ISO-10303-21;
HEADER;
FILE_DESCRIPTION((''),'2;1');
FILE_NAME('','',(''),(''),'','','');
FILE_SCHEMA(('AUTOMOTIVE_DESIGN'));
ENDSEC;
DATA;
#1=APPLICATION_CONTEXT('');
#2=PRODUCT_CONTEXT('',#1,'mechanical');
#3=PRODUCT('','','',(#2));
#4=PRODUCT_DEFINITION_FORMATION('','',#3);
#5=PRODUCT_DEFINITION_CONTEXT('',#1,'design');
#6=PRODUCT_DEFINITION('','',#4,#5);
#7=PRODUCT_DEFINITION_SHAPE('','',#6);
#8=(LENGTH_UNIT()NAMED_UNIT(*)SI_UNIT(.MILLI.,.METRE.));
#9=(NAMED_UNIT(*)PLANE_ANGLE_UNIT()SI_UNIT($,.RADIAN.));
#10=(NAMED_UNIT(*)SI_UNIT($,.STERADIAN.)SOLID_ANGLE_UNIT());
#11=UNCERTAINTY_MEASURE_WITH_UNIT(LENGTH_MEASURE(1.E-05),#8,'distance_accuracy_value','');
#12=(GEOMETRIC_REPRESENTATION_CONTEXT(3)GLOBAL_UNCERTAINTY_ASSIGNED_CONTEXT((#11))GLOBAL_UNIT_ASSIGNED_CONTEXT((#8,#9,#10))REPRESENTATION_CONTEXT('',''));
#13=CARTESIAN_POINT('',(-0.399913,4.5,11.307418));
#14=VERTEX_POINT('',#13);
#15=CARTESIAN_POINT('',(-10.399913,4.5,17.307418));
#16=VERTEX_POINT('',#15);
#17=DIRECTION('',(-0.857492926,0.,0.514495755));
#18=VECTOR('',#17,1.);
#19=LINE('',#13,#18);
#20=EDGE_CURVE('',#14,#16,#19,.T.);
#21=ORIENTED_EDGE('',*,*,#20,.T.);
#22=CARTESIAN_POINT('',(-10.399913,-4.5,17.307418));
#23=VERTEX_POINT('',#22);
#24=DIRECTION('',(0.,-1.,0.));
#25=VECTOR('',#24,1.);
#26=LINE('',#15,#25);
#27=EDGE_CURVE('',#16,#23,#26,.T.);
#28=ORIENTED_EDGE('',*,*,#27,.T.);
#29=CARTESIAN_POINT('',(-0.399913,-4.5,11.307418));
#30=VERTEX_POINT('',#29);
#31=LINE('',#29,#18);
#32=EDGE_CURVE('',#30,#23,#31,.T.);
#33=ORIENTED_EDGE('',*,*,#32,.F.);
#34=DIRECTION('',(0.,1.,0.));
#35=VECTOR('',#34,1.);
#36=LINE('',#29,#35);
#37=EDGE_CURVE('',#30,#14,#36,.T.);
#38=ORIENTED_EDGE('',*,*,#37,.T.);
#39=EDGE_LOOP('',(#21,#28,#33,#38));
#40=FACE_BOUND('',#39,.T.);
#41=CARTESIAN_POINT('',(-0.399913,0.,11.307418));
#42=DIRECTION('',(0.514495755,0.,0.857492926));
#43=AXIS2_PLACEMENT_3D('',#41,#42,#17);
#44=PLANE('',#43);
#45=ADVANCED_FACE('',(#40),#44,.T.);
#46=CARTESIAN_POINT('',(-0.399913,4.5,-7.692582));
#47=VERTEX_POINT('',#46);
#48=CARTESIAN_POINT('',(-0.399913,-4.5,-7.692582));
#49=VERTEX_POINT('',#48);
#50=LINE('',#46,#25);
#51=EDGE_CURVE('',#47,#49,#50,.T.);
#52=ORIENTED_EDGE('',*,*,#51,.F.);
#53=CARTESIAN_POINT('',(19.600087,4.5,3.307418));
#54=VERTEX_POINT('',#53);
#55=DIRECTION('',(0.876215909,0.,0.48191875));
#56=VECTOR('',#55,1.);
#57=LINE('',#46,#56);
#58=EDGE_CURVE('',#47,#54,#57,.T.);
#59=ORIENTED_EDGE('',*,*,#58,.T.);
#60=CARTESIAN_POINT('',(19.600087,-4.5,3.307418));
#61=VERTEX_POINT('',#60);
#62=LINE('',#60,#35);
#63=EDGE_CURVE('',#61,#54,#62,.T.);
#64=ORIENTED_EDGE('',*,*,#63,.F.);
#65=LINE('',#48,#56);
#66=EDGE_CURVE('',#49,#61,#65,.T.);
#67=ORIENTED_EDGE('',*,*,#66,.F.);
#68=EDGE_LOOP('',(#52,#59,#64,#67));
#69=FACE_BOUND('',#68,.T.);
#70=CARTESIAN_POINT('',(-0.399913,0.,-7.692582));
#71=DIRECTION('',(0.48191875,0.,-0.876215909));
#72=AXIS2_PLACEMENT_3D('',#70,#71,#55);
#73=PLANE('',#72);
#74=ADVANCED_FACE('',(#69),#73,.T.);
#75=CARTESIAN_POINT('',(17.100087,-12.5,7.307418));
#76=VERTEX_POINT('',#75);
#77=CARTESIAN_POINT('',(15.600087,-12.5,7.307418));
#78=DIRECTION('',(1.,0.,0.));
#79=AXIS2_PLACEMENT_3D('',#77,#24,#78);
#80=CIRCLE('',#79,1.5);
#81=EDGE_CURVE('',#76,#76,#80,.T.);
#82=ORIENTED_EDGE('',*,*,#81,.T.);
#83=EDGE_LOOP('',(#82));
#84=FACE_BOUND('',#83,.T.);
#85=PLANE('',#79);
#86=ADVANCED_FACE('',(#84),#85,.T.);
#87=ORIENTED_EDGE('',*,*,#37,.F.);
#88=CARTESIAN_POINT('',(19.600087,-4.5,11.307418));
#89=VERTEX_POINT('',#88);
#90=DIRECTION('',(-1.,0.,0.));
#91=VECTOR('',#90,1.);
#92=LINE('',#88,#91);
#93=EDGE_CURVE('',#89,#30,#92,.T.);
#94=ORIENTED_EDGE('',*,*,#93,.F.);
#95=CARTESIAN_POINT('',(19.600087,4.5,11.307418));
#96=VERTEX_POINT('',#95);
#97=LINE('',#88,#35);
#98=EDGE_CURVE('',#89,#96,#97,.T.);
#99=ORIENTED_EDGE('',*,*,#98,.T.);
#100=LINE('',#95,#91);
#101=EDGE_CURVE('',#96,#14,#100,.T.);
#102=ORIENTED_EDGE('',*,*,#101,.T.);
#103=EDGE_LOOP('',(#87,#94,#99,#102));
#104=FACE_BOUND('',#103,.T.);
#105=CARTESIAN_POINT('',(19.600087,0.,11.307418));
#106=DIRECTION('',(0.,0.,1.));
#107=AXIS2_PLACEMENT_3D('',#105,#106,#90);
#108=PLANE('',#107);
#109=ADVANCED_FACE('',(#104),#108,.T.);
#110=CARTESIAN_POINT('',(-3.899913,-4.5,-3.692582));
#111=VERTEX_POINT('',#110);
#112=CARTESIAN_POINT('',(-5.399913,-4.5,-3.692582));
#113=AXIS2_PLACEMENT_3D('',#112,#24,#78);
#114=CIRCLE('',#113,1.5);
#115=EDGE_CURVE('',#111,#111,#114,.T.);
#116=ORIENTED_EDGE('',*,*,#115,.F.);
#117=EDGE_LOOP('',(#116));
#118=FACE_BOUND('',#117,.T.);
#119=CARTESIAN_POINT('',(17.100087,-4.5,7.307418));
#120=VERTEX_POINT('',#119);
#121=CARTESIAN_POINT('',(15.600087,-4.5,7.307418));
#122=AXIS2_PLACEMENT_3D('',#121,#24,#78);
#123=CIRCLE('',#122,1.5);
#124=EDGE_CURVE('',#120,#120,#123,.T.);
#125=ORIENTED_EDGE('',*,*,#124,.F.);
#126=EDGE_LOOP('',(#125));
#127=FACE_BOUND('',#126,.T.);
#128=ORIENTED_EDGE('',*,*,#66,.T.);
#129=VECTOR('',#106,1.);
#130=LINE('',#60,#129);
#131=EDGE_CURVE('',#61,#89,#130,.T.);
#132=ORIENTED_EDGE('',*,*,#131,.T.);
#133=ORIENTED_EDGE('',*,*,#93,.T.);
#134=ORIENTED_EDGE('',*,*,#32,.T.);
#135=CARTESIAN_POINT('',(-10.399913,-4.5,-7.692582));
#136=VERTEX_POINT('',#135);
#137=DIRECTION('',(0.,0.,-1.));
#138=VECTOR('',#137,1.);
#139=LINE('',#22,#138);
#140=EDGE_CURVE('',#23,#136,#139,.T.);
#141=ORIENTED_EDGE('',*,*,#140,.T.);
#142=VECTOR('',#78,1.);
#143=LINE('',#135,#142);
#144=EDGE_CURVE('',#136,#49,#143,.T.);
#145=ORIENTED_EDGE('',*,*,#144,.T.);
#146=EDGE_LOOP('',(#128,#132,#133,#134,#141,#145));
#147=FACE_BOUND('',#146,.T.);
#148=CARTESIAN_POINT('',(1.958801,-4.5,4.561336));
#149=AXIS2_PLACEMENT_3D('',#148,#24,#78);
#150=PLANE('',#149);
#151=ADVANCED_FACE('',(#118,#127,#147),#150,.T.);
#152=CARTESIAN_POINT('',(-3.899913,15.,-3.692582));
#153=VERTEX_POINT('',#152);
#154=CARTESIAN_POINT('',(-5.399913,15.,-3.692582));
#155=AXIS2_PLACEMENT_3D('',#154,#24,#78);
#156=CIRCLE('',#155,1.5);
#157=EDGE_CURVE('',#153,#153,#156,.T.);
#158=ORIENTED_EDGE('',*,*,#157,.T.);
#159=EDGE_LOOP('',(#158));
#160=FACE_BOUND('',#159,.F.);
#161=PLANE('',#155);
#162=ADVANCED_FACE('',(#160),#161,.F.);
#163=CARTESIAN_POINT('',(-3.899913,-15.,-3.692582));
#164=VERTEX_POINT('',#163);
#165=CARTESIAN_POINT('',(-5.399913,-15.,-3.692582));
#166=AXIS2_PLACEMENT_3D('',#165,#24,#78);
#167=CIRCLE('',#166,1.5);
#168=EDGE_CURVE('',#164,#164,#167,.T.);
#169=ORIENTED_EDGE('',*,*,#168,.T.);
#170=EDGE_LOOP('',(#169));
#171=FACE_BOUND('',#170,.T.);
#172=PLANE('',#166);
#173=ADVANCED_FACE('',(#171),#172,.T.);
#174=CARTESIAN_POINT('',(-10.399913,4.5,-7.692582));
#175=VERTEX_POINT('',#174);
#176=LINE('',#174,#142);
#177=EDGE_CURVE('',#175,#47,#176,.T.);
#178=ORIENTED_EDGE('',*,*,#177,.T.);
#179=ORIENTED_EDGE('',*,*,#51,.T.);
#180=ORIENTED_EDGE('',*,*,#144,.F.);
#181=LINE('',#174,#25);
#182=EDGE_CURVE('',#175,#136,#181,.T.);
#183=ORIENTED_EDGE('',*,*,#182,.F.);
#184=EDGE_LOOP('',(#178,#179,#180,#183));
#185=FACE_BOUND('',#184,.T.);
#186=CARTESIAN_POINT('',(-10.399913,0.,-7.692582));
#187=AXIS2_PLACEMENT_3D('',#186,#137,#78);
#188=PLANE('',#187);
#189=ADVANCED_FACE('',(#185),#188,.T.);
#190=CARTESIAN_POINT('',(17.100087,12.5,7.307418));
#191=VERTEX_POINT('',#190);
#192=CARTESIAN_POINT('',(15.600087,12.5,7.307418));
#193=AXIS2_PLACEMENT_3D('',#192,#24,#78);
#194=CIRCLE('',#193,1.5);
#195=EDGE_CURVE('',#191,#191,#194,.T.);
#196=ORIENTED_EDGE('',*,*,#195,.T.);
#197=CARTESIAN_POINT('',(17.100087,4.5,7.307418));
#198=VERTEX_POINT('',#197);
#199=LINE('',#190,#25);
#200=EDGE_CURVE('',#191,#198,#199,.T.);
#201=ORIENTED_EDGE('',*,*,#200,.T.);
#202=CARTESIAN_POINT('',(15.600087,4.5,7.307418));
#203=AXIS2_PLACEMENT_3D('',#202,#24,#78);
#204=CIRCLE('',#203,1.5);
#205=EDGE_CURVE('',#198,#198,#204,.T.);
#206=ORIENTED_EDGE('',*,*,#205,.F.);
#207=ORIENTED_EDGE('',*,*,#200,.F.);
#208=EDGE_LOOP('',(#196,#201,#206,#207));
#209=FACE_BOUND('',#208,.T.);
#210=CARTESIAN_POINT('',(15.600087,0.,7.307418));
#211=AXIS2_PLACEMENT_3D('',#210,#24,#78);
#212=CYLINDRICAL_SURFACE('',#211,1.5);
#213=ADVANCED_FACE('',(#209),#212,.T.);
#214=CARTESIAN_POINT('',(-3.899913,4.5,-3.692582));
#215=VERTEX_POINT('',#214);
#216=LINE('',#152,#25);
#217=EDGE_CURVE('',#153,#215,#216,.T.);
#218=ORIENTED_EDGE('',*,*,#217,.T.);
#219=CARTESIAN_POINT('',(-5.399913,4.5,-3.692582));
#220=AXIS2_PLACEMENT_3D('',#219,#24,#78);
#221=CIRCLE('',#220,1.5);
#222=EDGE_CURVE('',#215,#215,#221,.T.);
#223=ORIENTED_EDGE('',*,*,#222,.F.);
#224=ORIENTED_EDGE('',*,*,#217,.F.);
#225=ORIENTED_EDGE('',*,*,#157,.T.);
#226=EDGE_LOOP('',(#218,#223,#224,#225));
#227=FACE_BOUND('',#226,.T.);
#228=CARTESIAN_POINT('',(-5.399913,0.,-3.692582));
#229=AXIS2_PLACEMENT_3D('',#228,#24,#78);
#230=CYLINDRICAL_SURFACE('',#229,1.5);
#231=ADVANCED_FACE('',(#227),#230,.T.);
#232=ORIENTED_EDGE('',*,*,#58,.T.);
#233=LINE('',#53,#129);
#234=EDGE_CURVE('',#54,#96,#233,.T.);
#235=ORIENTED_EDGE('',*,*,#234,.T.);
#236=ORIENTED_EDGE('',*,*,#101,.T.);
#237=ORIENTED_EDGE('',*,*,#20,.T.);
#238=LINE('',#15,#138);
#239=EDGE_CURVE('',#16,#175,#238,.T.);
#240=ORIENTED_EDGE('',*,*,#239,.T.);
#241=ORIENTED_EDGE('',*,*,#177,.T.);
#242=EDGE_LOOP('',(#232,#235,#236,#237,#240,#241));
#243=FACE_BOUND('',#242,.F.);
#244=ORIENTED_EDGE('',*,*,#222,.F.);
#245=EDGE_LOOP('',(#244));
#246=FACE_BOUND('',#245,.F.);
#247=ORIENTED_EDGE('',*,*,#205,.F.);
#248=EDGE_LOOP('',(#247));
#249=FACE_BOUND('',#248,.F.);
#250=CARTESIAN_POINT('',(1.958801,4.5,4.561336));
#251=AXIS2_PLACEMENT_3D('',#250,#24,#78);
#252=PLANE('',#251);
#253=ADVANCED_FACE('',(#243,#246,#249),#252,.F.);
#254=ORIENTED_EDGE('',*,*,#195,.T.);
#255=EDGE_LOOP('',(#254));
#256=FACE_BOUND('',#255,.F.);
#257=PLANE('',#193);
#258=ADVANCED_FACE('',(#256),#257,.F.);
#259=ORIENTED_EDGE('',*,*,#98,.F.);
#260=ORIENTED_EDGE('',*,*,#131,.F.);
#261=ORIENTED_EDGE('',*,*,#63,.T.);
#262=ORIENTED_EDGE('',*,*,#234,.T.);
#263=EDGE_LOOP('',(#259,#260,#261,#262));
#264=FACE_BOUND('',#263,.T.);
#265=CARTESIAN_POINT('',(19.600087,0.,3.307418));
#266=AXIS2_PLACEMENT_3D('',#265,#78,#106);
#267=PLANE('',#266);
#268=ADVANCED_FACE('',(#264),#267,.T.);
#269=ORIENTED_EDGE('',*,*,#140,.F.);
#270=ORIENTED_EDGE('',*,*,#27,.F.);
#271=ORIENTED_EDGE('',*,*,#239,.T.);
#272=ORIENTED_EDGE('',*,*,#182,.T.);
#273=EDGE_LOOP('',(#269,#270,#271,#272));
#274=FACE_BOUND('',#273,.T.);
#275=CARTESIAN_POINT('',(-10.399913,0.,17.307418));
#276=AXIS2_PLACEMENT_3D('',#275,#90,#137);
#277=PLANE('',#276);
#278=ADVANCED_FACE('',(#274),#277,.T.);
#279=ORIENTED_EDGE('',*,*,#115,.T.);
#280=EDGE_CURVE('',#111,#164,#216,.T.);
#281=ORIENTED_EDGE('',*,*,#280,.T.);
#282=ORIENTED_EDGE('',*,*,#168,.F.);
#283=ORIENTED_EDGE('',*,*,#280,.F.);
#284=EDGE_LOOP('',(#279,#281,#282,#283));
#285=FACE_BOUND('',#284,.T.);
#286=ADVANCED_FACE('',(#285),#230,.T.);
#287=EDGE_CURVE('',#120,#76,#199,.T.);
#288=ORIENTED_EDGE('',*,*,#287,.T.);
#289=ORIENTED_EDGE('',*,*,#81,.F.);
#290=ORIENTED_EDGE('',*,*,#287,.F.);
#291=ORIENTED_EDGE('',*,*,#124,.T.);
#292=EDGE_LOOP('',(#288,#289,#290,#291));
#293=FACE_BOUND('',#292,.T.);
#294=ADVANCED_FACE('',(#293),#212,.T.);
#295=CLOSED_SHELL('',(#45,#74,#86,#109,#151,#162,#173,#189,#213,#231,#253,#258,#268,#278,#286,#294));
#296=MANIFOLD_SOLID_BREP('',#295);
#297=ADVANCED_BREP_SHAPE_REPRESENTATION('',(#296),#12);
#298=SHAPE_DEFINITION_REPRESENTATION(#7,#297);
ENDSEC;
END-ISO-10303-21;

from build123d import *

# Parameters (mm, degrees)
F0_R     = 1.5
F1_DEPTH = 4.5
F2_DEPTH = 15
F3_DEPTH = 12.5


with BuildPart() as f1:
    # F0 (on Front) → F1 (new body, symmetric)
    with BuildSketch(Plane.XZ):
        Polygon((-0.399913, 11.307418), (-10.399913, 17.307418), (-10.399913, -7.692582), (-0.399913, -7.692582), (19.600087, 3.307418), (19.600087, 11.307418), align=None)
        with Locations((-5.399913, -3.692582)):
            Circle(F0_R, mode=Mode.SUBTRACT)
        with Locations((15.600087, 7.307418)):
            Circle(F0_R, mode=Mode.SUBTRACT)
    extrude(amount=F1_DEPTH, both=True)

    # F0 (on Front) → F2 (join, symmetric)
    with BuildSketch(Plane.XZ):
        with Locations((-5.399913, -3.692582)):
            Circle(F0_R)
    extrude(amount=F2_DEPTH, both=True)

    # F0 (on Front) → F3 (join, symmetric)
    with BuildSketch(Plane.XZ):
        with Locations((15.600087, 7.307418)):
            Circle(F0_R)
    extrude(amount=F3_DEPTH, both=True)


solid = f1.part
